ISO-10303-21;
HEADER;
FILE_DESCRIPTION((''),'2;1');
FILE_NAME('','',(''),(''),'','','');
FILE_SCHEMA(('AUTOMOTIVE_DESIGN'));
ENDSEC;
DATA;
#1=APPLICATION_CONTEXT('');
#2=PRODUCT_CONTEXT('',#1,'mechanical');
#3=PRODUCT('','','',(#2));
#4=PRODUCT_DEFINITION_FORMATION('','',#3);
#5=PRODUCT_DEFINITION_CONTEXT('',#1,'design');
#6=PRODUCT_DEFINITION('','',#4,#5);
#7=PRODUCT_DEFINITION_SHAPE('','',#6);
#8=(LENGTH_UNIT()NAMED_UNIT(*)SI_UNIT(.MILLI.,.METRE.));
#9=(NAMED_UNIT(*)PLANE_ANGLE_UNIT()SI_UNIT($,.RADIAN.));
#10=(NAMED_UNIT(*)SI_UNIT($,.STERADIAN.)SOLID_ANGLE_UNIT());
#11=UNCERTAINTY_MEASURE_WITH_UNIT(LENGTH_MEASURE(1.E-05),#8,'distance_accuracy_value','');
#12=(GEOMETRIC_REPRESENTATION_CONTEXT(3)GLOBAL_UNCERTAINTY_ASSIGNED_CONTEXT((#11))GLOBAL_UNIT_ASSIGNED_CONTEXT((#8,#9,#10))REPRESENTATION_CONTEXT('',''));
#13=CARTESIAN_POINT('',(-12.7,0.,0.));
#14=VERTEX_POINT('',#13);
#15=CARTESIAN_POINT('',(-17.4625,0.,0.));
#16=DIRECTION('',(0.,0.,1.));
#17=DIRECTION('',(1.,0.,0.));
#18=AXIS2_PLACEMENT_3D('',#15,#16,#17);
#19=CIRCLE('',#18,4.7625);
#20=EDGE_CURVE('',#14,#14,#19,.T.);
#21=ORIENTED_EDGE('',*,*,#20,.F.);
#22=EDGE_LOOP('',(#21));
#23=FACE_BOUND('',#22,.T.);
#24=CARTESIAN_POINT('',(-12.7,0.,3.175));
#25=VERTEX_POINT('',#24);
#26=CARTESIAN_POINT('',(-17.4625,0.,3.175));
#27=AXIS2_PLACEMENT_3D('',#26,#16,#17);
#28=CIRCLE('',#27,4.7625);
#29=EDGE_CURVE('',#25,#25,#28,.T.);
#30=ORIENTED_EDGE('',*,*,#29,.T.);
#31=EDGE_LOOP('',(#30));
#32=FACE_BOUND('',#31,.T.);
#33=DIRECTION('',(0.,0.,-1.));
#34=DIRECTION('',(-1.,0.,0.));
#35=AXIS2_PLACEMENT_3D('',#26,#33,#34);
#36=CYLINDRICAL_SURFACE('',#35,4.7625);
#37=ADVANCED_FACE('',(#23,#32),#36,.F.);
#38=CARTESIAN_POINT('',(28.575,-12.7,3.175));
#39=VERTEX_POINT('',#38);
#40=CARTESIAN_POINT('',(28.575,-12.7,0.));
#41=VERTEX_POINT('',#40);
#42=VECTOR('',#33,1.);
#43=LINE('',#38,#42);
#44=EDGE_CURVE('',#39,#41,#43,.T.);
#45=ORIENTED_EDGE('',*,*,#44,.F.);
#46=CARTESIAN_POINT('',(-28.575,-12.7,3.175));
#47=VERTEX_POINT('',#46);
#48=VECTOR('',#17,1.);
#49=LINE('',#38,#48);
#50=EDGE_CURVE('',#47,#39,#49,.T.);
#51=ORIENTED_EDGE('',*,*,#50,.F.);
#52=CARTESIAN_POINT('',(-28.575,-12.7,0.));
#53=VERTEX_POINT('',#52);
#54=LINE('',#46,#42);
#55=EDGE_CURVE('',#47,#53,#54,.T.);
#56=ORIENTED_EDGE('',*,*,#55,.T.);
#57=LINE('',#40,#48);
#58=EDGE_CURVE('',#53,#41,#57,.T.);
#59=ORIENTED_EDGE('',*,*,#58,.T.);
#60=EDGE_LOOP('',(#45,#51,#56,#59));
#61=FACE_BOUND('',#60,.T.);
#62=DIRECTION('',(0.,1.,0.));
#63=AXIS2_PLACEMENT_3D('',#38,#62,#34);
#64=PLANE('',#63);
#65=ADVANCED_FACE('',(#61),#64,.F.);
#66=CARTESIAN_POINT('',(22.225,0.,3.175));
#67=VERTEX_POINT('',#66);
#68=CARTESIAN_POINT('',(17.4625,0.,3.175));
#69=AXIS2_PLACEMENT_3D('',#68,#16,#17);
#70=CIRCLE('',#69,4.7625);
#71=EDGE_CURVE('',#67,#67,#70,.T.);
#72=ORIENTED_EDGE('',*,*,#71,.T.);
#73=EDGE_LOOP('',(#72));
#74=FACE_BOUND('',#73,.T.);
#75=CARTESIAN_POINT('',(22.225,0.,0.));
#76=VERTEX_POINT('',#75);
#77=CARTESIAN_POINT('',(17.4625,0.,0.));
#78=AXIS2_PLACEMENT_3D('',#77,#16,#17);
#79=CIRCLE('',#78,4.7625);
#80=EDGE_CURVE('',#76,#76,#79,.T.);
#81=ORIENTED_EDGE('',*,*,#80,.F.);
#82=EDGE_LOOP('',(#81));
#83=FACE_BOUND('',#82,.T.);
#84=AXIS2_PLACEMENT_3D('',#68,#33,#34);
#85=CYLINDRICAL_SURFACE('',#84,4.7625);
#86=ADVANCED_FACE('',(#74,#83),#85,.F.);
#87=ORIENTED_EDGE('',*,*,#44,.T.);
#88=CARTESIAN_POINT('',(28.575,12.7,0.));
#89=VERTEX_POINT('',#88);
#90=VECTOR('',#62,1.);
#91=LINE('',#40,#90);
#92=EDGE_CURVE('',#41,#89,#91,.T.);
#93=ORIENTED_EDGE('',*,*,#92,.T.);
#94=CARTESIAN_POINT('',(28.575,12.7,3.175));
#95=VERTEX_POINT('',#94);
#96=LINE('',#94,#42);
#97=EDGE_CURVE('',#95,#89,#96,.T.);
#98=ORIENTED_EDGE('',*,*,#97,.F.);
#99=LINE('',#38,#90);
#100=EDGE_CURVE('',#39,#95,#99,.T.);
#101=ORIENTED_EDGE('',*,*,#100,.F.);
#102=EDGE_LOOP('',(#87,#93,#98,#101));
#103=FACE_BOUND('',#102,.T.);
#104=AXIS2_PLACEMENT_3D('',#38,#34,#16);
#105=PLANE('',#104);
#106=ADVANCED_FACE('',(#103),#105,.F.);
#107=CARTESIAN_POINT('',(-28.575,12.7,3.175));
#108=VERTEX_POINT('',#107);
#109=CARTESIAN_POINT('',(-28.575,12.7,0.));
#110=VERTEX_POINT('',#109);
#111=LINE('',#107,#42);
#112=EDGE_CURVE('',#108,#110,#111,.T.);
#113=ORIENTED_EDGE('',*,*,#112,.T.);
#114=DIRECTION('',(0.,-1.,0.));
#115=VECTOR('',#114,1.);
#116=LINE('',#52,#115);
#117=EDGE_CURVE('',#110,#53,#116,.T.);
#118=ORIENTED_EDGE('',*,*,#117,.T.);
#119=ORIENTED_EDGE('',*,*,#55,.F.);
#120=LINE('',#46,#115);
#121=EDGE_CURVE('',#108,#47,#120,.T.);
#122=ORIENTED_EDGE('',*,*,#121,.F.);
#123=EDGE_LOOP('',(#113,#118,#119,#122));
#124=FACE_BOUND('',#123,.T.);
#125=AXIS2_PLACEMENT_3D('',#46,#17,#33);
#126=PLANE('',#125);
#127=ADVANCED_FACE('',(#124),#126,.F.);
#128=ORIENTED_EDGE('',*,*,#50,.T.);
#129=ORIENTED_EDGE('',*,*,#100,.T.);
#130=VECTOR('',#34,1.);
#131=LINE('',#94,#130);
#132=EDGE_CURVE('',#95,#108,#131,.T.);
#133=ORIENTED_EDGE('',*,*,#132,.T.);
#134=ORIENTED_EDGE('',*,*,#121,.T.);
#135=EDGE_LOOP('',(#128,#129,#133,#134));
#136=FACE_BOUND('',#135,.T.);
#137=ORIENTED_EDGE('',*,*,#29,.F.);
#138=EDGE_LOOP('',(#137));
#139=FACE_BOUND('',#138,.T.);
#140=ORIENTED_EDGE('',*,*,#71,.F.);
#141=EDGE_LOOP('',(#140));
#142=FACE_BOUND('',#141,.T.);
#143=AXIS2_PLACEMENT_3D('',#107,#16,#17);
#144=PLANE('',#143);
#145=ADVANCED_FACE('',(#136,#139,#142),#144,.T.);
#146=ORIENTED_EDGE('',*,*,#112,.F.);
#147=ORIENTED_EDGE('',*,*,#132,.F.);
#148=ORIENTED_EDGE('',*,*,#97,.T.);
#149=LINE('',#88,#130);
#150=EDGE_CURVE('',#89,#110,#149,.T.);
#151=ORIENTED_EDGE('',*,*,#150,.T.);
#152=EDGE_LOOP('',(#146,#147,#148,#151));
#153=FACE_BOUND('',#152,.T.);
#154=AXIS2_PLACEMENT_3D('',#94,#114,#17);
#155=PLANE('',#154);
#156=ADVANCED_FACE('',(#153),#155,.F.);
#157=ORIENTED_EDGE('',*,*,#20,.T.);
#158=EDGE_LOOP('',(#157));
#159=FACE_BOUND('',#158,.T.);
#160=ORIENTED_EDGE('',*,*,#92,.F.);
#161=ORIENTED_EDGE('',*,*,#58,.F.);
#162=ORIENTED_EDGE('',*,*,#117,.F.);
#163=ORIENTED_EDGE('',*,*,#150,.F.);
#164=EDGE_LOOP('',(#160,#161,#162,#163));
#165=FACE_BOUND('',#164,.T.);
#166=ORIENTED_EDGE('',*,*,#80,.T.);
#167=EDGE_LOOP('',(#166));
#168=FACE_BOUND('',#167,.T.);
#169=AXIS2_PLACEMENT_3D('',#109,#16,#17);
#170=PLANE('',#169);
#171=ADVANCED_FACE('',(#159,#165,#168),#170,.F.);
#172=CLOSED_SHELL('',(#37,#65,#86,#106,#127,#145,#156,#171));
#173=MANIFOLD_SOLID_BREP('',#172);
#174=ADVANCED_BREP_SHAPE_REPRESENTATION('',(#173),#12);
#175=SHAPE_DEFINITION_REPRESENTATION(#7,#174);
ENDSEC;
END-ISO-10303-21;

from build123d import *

# Parameters (mm, degrees)
SKETCH1_W           = 57.15
SKETCH1_H           = 25.4
SKETCH1_R           = 4.7625
BOSS_EXTRUDE1_DEPTH = 3.175


with BuildPart() as part:
    # Sketch1 → Boss-Extrude1 (new body)
    with BuildSketch(Plane.XY):
        Rectangle(SKETCH1_W, SKETCH1_H)
        with Locations((-17.4625, 0)):
            Circle(SKETCH1_R, mode=Mode.SUBTRACT)
        with Locations((17.4625, 0)):
            Circle(SKETCH1_R, mode=Mode.SUBTRACT)
    extrude(amount=BOSS_EXTRUDE1_DEPTH)


solid = part.part
